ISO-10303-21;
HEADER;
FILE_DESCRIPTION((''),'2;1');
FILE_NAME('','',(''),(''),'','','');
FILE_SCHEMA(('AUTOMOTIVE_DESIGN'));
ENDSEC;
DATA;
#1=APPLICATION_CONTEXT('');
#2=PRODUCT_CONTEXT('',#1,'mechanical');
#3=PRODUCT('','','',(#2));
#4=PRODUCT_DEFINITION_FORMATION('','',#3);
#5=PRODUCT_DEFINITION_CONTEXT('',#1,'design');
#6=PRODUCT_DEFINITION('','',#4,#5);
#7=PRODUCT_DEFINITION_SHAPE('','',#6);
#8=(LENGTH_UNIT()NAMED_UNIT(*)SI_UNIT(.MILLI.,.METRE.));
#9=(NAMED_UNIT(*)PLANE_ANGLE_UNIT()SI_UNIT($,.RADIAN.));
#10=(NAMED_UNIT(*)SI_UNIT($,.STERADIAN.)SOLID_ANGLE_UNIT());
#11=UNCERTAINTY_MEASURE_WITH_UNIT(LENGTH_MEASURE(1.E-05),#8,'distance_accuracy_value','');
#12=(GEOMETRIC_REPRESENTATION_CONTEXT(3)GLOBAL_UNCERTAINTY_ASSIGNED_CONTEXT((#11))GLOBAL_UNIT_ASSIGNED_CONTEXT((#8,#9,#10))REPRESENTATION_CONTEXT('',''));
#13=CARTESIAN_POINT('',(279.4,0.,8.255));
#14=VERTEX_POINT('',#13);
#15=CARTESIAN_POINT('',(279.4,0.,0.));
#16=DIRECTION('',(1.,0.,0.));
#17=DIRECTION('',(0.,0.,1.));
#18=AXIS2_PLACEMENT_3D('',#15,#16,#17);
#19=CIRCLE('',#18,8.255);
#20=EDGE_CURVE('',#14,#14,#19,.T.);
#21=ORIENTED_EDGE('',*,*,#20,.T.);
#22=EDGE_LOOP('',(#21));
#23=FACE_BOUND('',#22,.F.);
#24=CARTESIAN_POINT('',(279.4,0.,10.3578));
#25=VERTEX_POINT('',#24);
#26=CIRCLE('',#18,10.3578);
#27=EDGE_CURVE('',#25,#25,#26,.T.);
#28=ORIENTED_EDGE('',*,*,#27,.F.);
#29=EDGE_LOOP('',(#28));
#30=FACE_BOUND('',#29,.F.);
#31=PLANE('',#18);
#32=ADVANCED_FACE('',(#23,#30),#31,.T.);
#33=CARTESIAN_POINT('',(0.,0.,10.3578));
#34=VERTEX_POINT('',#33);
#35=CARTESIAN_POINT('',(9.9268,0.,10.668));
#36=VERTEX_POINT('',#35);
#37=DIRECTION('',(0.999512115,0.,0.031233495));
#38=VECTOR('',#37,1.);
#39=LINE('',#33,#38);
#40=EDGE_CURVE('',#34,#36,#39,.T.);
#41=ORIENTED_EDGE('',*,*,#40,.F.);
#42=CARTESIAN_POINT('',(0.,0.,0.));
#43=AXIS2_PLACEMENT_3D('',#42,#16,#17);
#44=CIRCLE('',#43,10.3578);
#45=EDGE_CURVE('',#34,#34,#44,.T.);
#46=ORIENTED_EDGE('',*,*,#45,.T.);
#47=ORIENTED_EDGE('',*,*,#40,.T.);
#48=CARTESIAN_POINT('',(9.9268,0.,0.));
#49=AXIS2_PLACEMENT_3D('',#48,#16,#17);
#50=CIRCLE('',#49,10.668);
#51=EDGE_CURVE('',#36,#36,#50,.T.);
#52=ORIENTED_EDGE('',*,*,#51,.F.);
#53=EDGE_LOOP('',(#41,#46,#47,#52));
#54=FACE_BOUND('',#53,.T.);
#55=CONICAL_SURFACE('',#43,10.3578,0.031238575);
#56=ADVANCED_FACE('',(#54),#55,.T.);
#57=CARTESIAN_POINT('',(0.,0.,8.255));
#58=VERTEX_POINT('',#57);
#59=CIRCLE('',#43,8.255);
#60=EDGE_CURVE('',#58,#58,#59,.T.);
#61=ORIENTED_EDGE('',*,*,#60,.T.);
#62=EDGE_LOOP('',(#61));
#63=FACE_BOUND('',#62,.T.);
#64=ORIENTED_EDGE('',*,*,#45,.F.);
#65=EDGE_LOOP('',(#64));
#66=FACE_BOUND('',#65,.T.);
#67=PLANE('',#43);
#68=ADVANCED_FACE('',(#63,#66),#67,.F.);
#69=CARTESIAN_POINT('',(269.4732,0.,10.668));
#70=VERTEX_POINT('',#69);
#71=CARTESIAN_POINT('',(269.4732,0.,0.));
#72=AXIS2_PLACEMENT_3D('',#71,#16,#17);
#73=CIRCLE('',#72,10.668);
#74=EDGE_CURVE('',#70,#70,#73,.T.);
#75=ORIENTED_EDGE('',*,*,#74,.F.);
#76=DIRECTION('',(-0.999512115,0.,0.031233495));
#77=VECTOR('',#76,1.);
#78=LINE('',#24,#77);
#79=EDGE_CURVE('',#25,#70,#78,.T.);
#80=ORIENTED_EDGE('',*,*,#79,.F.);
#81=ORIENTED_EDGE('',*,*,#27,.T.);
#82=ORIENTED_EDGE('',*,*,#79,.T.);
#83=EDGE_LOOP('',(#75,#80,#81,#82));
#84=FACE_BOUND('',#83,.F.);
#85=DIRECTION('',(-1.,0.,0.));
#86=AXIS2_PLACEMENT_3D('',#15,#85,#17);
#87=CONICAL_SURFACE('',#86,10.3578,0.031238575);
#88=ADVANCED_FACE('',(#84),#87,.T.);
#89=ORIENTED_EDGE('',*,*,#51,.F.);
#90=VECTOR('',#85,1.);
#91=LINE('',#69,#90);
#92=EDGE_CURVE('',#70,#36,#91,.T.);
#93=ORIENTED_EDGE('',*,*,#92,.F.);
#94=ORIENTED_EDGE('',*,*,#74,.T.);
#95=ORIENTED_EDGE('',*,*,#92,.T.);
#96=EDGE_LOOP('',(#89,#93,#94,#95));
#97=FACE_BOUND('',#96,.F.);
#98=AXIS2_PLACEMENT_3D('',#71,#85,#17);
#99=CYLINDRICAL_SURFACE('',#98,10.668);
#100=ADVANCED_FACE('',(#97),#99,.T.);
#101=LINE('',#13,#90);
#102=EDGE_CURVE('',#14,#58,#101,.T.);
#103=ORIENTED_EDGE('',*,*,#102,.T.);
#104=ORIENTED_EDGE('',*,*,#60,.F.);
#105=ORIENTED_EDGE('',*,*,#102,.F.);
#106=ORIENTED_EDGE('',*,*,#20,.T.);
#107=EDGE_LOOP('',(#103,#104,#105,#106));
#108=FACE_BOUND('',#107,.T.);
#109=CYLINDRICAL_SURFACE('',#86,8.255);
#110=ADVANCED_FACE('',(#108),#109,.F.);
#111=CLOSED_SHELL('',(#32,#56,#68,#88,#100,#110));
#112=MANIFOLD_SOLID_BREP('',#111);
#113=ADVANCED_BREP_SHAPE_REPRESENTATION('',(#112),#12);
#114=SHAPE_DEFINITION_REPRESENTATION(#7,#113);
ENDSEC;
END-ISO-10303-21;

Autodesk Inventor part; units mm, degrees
ref_plane "YZ Plane" through (0, 0, 0) normal (1, 0, 0) x (0, 1, 0)
ref_plane "XZ Plane" through (0, 0, 0) normal (0, 1, 0) x (-1, 0, 0)
ref_plane "XY Plane" through (0, 0, 0) normal (0, 0, 1) x (1, 0, 0)
sketch "Sketch1" plane through (0, 0, 0) normal (0, 1, 0) x (-1, 0, 0)
  line L0 (0, 0) -> (-279.4, 0)
  line L1 (-279.4, 0) -> (-279.4, 8.255) construction
  line L2 (-279.4, 8.255) -> (-279.4, 10.3578)
  line L3 (-279.4, 10.3578) -> (-269.4732, 10.668)
  line L4 (-269.4732, 10.668) -> (-9.9268, 10.668)
  line L5 (-139.7, 0) -> (-139.7, 10.668) construction
  line L6 (-279.4, 8.255) -> (0, 8.255)
  line L7 (0, 0) -> (0, 8.255) construction
  line L8 (0, 8.255) -> (0, 10.3578)
  line L9 (0, 10.3578) -> (-9.9268, 10.668)
  line L10 (-265.844, 10.7814) -> (-265.844, 0) construction
  line L11 (-13.556, 10.7814) -> (-13.556, 0) construction
  line L12 (-269.4732, 10.668) -> (-265.844, 10.7814) construction
  line L13 (-269.4732, 10.668) -> (-269.4732, 0) construction
  line L14 (-9.9268, 10.668) -> (-13.556, 10.7814) construction
  line L15 (-9.9268, 10.668) -> (-9.9268, 0) construction
  dimension "d0" = 21.336
  dimension "d1" = 1.79
  dimension "d2" = 16.51
  dimension "d3" = 279.4
  dimension "d4" = 13.556
  dimension "d5" = 21.5628
revolve "Revolution1" add sketch "Sketch1" angle 360 about axis through (0, 0, 0) along (1, 0, 0)
thread "Thread1" size "1/2" designation "1/2 - 14 NPT" standard "NPT" full length
thread "Thread2" size "1/2" designation "1/2 - 14 NPT" standard "NPT" full length
equation "\"d0\" = OD"
equation "\"d2\" = ID"
equation "\"d3\" = L"
equation "\"d4\" = L2"
equation "\"d5\" = D2"
equation "\"OD\" = 21.336"
equation "\"t\" = 2.413"
equation "\"L\" = PL"
equation "\"L4\" = 19.8501"
equation "\"ID\" = 16.51"
equation "\"PL\" = 279.4"
equation "\"D2\" = 21.56282"
equation "\"L2\" = 13.55598"
equation "\"Size_Designation\" = 1.2345"
equation "\"PLmin\" = 2 * L2"
properties material "Steel, Wrought"
